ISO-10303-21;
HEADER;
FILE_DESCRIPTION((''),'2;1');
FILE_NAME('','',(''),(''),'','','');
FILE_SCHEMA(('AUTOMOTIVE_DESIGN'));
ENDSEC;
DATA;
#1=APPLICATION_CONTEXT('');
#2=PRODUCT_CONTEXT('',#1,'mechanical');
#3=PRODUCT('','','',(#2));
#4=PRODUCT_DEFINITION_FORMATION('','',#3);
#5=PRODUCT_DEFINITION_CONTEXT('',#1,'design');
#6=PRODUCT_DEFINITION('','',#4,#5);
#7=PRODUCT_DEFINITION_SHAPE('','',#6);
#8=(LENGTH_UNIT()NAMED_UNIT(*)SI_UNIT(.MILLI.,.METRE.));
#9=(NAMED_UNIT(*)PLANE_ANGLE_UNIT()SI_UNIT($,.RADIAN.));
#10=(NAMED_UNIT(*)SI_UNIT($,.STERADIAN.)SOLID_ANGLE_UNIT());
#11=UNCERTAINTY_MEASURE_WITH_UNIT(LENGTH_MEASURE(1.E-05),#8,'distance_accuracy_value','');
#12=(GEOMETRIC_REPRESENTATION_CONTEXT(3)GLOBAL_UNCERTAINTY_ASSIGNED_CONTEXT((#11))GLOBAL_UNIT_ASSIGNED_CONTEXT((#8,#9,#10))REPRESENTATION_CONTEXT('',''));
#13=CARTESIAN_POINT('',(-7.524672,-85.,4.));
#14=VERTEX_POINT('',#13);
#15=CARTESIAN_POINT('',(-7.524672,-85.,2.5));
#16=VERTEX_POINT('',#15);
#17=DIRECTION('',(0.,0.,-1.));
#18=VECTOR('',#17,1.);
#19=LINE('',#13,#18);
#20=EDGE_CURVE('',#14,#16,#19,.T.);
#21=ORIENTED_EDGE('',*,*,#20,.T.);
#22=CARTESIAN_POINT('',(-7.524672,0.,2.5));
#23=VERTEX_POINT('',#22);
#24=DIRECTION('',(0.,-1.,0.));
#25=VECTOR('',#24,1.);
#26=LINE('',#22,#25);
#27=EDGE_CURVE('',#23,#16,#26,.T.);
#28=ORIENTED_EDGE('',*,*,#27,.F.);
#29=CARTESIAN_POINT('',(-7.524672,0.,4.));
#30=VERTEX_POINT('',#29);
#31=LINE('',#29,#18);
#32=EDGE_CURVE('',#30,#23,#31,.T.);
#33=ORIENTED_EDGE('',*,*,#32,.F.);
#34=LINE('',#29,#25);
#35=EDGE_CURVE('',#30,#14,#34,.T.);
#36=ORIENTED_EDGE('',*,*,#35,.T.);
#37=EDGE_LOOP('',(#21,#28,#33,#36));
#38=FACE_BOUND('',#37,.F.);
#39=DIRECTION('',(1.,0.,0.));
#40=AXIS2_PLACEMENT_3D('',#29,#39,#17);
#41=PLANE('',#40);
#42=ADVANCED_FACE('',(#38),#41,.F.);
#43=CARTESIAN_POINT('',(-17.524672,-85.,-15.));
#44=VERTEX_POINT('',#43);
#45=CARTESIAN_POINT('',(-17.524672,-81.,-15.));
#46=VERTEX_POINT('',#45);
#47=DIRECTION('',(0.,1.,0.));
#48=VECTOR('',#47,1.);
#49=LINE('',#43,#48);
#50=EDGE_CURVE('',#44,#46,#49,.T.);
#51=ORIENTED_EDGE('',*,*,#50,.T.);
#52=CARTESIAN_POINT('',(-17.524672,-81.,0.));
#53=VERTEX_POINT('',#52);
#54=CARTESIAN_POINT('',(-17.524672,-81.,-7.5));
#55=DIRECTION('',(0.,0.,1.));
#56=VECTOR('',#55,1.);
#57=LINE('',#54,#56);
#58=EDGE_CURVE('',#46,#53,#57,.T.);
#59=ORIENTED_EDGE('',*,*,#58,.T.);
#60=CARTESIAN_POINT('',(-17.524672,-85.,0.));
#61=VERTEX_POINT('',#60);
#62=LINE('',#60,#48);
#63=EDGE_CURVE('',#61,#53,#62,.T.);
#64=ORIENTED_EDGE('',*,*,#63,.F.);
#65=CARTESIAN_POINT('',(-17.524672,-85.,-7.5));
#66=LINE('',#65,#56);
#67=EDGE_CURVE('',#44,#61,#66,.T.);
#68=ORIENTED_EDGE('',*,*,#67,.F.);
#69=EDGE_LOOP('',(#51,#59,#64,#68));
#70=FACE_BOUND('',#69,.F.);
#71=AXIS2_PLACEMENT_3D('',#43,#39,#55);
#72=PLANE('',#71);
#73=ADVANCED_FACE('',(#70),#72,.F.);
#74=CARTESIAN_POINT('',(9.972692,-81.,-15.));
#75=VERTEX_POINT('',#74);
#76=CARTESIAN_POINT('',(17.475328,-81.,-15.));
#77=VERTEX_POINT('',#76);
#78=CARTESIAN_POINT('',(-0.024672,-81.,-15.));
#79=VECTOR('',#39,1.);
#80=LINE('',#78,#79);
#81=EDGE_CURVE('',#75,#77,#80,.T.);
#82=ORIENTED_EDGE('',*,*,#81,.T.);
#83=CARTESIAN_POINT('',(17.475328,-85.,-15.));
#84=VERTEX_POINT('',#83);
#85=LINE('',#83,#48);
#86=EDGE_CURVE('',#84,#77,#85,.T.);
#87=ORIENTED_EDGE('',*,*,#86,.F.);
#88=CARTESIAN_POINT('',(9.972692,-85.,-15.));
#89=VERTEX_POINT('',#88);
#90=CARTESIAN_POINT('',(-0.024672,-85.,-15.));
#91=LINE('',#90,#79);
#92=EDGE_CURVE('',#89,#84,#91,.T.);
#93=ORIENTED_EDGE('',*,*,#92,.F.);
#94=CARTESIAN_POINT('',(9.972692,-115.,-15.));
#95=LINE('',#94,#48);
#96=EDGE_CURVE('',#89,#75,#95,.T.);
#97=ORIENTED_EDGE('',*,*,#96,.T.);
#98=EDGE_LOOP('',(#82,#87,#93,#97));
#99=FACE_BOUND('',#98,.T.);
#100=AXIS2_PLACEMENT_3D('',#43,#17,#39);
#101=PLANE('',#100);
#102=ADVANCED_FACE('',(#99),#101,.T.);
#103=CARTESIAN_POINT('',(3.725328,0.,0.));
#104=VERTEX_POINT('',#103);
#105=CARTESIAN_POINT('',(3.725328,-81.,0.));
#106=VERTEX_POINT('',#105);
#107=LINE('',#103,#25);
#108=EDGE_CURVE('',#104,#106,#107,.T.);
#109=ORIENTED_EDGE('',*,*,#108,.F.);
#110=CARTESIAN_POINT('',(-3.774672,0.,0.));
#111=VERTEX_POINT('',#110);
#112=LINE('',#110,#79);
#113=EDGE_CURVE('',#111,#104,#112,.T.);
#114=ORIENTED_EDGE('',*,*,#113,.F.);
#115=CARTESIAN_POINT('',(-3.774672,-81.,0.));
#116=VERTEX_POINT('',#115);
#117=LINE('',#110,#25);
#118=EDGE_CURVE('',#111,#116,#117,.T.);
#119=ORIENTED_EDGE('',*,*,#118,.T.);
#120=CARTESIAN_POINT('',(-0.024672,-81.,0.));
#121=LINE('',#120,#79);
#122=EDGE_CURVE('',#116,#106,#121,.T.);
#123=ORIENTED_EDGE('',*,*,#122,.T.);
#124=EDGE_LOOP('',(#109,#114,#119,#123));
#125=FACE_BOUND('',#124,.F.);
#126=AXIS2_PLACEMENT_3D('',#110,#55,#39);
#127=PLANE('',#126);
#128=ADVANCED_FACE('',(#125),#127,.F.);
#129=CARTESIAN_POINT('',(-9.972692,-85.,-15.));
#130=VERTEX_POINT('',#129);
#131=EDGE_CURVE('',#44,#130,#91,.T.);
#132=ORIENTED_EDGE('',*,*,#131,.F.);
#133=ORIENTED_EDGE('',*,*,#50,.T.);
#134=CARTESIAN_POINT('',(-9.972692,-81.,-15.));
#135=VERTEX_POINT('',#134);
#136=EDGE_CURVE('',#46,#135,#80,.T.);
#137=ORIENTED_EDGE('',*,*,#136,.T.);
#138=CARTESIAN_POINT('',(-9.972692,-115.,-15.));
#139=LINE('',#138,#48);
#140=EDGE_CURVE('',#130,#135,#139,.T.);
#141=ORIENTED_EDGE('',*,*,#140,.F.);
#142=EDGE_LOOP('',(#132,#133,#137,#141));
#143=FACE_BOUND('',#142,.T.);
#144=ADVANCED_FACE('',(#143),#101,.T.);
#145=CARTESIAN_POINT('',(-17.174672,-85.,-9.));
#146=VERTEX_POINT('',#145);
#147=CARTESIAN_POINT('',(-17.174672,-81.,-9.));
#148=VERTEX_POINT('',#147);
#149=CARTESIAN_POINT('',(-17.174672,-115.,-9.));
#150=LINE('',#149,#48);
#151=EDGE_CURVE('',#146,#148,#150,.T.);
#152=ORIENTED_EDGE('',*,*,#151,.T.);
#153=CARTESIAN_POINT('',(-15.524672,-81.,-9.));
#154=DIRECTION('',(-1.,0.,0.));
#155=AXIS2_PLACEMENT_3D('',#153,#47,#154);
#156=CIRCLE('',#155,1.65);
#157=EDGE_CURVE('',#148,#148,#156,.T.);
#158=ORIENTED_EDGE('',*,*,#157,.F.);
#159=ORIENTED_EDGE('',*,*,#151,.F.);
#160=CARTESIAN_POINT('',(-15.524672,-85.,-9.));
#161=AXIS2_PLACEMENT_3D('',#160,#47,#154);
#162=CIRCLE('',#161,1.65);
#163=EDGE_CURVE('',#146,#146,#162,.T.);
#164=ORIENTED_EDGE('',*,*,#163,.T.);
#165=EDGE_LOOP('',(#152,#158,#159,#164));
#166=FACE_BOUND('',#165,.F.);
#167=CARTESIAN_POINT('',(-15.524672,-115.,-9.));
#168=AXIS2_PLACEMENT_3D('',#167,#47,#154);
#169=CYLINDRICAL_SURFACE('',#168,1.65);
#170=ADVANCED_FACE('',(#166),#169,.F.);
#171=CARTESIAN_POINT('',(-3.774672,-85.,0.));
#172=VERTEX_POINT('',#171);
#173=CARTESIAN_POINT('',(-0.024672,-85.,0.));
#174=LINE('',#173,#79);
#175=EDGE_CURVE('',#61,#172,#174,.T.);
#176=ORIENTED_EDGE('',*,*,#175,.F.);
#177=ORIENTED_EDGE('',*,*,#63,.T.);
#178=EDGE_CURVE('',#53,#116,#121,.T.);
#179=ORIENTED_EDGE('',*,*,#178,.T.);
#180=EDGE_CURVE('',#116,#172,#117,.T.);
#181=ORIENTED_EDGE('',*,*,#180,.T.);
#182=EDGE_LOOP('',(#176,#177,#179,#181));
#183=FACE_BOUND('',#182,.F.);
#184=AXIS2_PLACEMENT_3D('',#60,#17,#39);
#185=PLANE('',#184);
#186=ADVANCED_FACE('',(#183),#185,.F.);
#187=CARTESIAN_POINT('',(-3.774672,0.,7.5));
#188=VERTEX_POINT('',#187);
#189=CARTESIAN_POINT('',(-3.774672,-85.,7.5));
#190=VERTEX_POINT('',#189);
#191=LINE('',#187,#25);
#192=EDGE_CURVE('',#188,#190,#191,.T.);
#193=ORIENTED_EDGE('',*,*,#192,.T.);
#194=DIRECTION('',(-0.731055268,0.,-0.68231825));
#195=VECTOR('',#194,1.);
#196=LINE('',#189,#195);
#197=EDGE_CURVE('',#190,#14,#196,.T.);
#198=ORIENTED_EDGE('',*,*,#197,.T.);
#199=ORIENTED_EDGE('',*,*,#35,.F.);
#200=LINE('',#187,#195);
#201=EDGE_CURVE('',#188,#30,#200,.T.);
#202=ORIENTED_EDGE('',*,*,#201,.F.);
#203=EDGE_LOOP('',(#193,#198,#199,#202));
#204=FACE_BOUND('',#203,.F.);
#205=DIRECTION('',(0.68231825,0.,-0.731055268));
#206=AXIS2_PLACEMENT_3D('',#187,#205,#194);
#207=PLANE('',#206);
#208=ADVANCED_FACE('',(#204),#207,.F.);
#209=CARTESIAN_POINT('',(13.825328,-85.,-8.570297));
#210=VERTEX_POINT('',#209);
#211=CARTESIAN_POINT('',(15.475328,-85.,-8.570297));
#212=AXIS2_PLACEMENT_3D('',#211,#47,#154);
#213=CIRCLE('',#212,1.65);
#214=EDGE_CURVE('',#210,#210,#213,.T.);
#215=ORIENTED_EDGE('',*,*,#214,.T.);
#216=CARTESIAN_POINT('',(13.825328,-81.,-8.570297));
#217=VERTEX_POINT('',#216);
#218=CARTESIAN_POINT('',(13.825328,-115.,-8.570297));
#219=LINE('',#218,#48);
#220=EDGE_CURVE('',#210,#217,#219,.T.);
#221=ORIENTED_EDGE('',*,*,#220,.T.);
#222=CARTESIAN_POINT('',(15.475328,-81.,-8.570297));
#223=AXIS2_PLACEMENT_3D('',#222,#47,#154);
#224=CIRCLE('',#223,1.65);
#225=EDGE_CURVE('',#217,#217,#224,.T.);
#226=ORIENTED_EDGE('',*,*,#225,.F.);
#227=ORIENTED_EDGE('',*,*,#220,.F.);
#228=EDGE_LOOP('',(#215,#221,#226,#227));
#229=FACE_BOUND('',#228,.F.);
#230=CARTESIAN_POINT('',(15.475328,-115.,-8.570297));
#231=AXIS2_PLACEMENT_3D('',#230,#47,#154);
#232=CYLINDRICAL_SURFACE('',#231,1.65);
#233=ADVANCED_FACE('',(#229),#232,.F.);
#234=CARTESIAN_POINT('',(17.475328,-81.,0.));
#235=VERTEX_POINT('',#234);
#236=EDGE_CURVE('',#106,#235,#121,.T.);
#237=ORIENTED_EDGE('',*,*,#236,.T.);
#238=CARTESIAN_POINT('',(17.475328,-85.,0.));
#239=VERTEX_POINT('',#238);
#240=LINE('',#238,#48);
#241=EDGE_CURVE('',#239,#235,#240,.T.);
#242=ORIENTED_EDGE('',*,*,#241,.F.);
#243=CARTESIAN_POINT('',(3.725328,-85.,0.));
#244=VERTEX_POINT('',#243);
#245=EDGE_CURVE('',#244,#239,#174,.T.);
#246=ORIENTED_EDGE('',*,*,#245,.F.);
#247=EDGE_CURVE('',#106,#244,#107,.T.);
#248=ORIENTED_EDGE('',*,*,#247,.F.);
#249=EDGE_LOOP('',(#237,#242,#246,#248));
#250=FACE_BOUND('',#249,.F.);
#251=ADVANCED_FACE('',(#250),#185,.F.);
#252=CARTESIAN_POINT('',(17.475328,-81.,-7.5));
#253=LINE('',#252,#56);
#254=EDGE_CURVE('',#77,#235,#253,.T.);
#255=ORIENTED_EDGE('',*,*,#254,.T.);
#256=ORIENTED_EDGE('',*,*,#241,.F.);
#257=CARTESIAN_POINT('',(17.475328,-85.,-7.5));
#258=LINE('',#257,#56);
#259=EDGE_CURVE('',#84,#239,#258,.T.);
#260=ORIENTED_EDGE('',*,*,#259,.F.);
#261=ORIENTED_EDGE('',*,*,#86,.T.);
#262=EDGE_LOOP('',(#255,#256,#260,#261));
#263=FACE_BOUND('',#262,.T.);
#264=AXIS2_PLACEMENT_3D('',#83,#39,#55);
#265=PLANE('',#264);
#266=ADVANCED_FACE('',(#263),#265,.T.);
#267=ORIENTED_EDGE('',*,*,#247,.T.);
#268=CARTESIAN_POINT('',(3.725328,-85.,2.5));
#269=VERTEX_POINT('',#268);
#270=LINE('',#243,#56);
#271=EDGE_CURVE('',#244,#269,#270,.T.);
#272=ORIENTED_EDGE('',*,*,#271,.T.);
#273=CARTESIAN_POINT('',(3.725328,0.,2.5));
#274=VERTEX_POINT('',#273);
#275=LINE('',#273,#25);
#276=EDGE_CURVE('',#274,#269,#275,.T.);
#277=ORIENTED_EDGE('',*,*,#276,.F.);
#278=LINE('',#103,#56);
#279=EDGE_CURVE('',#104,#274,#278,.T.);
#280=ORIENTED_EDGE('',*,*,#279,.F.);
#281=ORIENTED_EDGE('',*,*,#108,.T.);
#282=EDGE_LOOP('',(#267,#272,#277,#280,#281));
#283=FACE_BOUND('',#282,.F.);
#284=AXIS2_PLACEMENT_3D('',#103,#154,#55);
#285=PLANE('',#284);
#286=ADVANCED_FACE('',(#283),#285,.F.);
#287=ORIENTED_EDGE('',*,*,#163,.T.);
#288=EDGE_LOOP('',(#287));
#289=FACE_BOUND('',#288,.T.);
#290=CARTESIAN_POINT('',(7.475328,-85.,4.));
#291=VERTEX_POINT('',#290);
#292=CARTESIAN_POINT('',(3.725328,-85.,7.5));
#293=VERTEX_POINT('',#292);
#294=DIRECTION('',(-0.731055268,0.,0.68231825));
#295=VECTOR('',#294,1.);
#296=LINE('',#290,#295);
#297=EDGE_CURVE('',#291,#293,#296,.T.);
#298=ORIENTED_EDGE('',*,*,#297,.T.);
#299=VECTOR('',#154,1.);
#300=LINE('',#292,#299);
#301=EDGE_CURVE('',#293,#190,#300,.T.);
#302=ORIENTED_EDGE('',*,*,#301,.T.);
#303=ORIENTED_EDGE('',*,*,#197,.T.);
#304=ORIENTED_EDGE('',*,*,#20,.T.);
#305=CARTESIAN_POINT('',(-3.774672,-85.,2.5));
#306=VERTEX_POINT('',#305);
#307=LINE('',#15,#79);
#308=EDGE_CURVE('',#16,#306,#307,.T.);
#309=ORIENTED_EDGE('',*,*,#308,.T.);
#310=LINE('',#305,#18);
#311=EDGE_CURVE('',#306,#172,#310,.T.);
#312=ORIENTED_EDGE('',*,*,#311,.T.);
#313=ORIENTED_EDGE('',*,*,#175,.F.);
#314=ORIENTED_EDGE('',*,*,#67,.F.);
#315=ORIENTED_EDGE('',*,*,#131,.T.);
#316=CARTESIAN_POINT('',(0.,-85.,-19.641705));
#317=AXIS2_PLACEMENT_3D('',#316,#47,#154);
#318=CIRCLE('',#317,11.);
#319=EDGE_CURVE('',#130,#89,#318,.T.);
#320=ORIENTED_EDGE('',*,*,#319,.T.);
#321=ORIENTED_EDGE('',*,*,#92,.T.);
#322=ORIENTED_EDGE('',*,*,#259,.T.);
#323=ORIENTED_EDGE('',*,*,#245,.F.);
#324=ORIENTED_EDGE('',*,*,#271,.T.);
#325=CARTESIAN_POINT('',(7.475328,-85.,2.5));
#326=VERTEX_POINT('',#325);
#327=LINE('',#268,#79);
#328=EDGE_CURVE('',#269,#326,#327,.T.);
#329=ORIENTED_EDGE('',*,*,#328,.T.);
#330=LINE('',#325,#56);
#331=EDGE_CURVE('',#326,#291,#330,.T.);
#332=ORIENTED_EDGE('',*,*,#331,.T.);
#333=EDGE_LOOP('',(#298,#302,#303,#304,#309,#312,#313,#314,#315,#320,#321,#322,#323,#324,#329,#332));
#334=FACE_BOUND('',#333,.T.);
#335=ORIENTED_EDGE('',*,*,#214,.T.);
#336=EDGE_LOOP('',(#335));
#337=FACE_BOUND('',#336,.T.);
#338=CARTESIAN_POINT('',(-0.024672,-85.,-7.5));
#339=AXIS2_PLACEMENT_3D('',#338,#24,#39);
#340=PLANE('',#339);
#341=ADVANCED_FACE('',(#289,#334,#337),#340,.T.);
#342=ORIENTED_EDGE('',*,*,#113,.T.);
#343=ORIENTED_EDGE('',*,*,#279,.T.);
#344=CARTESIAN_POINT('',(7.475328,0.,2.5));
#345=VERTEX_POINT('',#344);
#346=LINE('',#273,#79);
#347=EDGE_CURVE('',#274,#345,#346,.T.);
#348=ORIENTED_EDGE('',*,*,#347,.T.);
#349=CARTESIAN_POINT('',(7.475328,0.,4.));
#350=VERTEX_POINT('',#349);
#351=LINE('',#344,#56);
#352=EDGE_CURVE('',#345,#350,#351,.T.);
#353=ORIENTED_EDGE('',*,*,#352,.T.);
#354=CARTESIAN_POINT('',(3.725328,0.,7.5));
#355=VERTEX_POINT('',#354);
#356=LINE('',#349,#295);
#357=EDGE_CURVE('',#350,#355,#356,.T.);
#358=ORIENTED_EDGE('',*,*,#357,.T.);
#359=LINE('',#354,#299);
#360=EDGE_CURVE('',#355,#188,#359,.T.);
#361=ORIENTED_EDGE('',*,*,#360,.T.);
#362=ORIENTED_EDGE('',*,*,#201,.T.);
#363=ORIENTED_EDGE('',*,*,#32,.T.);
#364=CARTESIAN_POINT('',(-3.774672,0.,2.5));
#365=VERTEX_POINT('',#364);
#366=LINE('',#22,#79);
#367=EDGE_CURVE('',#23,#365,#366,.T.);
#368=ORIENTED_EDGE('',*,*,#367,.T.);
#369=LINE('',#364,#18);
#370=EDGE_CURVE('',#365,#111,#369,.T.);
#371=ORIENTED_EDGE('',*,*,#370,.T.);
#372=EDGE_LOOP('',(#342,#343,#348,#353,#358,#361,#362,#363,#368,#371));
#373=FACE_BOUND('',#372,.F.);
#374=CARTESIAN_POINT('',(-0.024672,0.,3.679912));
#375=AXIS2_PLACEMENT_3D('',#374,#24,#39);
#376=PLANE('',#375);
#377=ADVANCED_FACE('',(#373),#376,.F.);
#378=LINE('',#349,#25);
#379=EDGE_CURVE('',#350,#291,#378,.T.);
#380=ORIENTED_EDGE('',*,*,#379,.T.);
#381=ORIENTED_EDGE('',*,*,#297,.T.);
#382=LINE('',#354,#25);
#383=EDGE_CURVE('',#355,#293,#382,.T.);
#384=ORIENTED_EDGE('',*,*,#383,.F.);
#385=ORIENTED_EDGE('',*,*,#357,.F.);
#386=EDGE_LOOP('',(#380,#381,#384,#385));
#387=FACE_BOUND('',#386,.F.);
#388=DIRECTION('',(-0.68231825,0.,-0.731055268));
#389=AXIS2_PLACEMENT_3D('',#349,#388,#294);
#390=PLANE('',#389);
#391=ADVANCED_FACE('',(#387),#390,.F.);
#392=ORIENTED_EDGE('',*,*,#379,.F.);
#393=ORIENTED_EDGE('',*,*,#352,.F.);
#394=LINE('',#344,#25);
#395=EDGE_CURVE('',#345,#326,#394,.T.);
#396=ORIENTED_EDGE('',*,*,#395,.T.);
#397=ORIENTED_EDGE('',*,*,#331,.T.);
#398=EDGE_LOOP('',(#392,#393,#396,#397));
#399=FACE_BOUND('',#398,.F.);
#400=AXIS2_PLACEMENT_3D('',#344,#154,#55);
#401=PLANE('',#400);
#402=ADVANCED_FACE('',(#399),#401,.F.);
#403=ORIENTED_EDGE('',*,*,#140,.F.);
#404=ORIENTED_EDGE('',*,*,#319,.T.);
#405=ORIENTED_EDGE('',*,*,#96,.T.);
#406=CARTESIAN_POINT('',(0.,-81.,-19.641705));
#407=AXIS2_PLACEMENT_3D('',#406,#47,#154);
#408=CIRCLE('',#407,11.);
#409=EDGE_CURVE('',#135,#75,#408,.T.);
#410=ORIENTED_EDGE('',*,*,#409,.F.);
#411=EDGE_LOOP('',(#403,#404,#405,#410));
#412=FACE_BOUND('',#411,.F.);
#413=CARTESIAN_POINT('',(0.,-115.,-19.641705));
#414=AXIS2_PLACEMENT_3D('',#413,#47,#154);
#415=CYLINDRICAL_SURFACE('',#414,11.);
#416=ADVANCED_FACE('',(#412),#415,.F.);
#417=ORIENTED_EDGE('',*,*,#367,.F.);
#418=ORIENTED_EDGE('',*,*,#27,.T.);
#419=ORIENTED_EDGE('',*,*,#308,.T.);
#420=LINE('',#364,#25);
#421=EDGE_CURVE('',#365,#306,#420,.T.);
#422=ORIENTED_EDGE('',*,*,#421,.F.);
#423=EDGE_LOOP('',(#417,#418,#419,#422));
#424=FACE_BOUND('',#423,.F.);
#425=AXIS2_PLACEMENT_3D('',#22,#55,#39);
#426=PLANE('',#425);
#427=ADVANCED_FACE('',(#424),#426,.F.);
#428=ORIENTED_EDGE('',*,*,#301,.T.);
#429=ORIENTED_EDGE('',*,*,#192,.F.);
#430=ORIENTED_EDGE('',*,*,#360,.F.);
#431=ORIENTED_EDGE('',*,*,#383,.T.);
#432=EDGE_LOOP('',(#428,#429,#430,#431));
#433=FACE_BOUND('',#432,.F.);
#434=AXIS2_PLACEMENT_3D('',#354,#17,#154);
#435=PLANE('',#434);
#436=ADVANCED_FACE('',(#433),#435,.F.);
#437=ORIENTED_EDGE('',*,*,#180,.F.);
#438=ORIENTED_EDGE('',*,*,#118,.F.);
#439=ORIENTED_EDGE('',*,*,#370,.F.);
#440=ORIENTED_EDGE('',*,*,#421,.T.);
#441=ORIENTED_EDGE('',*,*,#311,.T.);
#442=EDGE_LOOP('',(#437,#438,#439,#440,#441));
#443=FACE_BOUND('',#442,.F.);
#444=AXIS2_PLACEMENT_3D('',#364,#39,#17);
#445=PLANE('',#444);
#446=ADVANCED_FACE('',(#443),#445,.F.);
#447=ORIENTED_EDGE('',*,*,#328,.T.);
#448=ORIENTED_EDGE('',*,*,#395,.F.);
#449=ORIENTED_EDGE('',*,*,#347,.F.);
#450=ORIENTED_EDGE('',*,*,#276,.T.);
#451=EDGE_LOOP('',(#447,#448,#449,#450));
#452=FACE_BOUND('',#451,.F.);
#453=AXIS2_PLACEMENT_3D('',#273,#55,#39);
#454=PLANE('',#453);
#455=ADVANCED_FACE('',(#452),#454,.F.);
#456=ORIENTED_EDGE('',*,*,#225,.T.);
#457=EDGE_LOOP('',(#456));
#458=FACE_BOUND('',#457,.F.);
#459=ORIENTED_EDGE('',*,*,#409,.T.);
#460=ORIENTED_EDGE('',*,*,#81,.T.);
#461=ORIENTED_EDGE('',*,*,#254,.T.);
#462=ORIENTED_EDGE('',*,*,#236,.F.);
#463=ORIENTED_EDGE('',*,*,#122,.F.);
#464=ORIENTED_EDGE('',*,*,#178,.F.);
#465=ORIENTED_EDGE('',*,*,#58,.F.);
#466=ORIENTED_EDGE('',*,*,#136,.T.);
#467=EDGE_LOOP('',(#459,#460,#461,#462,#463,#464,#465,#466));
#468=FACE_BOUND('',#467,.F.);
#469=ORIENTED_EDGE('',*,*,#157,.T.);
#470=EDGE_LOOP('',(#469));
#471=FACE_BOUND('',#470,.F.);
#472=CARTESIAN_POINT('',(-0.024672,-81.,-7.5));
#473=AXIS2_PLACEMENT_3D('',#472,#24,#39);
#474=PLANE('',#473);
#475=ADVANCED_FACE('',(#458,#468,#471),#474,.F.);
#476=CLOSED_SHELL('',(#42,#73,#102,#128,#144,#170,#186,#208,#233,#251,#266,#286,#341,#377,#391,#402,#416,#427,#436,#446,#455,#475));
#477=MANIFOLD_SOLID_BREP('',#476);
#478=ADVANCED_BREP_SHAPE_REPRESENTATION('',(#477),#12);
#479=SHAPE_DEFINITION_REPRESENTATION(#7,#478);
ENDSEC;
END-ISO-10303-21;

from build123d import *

# Parameters (mm, degrees)
F1_DEPTH = 85
F2_W     = 35
F2_H     = 15
F3_DEPTH = 4
F5_D     = 3.3
F5_DEPTH = 30
F5_TIP   = 0.9914200214
F7_D     = 22
F7_DEPTH = 30
F7_TIP   = 6.6094668093


with BuildPart() as f1:
    # F0 (on Front) → F1 (new body)
    with BuildSketch(Plane.XZ):
        Polygon((-3.7746716016, 2.5), (-3.7746716016, 0), (3.7253283984, 0), (3.7253283984, 2.5), (7.4753283984, 2.5), (7.4753283984, 4), (3.7253283984, 7.5), (-3.7746716016, 7.5), (-7.5246716016, 4), (-7.5246716016, 2.5), align=None)
    extrude(amount=F1_DEPTH)

    # F2 (on face) → F3 (join)
    with BuildSketch(Plane.XZ.offset(85)):
        with Locations((-0.0246716016, -7.5)):
            Rectangle(F2_W, F2_H)
    extrude(amount=-F3_DEPTH)

    # F5
    with Locations(Plane.XZ.offset(85)):
        with Locations((-15.5246716016, -9), (15.4753283984, -8.5702965236)):
            Hole(F5_D / 2, depth=F5_DEPTH)
            with Locations((0, 0, -(F5_DEPTH + F5_TIP / 2))):  # 118° drill point
                Cone(0, F5_D / 2, F5_TIP, mode=Mode.SUBTRACT)

    # F7
    with Locations(Plane.XZ.offset(85)):
        with Locations((0, -19.6417048573)):
            Hole(F7_D / 2, depth=F7_DEPTH)
            with Locations((0, 0, -(F7_DEPTH + F7_TIP / 2))):  # 118° drill point
                Cone(0, F7_D / 2, F7_TIP, mode=Mode.SUBTRACT)


solid = f1.part
